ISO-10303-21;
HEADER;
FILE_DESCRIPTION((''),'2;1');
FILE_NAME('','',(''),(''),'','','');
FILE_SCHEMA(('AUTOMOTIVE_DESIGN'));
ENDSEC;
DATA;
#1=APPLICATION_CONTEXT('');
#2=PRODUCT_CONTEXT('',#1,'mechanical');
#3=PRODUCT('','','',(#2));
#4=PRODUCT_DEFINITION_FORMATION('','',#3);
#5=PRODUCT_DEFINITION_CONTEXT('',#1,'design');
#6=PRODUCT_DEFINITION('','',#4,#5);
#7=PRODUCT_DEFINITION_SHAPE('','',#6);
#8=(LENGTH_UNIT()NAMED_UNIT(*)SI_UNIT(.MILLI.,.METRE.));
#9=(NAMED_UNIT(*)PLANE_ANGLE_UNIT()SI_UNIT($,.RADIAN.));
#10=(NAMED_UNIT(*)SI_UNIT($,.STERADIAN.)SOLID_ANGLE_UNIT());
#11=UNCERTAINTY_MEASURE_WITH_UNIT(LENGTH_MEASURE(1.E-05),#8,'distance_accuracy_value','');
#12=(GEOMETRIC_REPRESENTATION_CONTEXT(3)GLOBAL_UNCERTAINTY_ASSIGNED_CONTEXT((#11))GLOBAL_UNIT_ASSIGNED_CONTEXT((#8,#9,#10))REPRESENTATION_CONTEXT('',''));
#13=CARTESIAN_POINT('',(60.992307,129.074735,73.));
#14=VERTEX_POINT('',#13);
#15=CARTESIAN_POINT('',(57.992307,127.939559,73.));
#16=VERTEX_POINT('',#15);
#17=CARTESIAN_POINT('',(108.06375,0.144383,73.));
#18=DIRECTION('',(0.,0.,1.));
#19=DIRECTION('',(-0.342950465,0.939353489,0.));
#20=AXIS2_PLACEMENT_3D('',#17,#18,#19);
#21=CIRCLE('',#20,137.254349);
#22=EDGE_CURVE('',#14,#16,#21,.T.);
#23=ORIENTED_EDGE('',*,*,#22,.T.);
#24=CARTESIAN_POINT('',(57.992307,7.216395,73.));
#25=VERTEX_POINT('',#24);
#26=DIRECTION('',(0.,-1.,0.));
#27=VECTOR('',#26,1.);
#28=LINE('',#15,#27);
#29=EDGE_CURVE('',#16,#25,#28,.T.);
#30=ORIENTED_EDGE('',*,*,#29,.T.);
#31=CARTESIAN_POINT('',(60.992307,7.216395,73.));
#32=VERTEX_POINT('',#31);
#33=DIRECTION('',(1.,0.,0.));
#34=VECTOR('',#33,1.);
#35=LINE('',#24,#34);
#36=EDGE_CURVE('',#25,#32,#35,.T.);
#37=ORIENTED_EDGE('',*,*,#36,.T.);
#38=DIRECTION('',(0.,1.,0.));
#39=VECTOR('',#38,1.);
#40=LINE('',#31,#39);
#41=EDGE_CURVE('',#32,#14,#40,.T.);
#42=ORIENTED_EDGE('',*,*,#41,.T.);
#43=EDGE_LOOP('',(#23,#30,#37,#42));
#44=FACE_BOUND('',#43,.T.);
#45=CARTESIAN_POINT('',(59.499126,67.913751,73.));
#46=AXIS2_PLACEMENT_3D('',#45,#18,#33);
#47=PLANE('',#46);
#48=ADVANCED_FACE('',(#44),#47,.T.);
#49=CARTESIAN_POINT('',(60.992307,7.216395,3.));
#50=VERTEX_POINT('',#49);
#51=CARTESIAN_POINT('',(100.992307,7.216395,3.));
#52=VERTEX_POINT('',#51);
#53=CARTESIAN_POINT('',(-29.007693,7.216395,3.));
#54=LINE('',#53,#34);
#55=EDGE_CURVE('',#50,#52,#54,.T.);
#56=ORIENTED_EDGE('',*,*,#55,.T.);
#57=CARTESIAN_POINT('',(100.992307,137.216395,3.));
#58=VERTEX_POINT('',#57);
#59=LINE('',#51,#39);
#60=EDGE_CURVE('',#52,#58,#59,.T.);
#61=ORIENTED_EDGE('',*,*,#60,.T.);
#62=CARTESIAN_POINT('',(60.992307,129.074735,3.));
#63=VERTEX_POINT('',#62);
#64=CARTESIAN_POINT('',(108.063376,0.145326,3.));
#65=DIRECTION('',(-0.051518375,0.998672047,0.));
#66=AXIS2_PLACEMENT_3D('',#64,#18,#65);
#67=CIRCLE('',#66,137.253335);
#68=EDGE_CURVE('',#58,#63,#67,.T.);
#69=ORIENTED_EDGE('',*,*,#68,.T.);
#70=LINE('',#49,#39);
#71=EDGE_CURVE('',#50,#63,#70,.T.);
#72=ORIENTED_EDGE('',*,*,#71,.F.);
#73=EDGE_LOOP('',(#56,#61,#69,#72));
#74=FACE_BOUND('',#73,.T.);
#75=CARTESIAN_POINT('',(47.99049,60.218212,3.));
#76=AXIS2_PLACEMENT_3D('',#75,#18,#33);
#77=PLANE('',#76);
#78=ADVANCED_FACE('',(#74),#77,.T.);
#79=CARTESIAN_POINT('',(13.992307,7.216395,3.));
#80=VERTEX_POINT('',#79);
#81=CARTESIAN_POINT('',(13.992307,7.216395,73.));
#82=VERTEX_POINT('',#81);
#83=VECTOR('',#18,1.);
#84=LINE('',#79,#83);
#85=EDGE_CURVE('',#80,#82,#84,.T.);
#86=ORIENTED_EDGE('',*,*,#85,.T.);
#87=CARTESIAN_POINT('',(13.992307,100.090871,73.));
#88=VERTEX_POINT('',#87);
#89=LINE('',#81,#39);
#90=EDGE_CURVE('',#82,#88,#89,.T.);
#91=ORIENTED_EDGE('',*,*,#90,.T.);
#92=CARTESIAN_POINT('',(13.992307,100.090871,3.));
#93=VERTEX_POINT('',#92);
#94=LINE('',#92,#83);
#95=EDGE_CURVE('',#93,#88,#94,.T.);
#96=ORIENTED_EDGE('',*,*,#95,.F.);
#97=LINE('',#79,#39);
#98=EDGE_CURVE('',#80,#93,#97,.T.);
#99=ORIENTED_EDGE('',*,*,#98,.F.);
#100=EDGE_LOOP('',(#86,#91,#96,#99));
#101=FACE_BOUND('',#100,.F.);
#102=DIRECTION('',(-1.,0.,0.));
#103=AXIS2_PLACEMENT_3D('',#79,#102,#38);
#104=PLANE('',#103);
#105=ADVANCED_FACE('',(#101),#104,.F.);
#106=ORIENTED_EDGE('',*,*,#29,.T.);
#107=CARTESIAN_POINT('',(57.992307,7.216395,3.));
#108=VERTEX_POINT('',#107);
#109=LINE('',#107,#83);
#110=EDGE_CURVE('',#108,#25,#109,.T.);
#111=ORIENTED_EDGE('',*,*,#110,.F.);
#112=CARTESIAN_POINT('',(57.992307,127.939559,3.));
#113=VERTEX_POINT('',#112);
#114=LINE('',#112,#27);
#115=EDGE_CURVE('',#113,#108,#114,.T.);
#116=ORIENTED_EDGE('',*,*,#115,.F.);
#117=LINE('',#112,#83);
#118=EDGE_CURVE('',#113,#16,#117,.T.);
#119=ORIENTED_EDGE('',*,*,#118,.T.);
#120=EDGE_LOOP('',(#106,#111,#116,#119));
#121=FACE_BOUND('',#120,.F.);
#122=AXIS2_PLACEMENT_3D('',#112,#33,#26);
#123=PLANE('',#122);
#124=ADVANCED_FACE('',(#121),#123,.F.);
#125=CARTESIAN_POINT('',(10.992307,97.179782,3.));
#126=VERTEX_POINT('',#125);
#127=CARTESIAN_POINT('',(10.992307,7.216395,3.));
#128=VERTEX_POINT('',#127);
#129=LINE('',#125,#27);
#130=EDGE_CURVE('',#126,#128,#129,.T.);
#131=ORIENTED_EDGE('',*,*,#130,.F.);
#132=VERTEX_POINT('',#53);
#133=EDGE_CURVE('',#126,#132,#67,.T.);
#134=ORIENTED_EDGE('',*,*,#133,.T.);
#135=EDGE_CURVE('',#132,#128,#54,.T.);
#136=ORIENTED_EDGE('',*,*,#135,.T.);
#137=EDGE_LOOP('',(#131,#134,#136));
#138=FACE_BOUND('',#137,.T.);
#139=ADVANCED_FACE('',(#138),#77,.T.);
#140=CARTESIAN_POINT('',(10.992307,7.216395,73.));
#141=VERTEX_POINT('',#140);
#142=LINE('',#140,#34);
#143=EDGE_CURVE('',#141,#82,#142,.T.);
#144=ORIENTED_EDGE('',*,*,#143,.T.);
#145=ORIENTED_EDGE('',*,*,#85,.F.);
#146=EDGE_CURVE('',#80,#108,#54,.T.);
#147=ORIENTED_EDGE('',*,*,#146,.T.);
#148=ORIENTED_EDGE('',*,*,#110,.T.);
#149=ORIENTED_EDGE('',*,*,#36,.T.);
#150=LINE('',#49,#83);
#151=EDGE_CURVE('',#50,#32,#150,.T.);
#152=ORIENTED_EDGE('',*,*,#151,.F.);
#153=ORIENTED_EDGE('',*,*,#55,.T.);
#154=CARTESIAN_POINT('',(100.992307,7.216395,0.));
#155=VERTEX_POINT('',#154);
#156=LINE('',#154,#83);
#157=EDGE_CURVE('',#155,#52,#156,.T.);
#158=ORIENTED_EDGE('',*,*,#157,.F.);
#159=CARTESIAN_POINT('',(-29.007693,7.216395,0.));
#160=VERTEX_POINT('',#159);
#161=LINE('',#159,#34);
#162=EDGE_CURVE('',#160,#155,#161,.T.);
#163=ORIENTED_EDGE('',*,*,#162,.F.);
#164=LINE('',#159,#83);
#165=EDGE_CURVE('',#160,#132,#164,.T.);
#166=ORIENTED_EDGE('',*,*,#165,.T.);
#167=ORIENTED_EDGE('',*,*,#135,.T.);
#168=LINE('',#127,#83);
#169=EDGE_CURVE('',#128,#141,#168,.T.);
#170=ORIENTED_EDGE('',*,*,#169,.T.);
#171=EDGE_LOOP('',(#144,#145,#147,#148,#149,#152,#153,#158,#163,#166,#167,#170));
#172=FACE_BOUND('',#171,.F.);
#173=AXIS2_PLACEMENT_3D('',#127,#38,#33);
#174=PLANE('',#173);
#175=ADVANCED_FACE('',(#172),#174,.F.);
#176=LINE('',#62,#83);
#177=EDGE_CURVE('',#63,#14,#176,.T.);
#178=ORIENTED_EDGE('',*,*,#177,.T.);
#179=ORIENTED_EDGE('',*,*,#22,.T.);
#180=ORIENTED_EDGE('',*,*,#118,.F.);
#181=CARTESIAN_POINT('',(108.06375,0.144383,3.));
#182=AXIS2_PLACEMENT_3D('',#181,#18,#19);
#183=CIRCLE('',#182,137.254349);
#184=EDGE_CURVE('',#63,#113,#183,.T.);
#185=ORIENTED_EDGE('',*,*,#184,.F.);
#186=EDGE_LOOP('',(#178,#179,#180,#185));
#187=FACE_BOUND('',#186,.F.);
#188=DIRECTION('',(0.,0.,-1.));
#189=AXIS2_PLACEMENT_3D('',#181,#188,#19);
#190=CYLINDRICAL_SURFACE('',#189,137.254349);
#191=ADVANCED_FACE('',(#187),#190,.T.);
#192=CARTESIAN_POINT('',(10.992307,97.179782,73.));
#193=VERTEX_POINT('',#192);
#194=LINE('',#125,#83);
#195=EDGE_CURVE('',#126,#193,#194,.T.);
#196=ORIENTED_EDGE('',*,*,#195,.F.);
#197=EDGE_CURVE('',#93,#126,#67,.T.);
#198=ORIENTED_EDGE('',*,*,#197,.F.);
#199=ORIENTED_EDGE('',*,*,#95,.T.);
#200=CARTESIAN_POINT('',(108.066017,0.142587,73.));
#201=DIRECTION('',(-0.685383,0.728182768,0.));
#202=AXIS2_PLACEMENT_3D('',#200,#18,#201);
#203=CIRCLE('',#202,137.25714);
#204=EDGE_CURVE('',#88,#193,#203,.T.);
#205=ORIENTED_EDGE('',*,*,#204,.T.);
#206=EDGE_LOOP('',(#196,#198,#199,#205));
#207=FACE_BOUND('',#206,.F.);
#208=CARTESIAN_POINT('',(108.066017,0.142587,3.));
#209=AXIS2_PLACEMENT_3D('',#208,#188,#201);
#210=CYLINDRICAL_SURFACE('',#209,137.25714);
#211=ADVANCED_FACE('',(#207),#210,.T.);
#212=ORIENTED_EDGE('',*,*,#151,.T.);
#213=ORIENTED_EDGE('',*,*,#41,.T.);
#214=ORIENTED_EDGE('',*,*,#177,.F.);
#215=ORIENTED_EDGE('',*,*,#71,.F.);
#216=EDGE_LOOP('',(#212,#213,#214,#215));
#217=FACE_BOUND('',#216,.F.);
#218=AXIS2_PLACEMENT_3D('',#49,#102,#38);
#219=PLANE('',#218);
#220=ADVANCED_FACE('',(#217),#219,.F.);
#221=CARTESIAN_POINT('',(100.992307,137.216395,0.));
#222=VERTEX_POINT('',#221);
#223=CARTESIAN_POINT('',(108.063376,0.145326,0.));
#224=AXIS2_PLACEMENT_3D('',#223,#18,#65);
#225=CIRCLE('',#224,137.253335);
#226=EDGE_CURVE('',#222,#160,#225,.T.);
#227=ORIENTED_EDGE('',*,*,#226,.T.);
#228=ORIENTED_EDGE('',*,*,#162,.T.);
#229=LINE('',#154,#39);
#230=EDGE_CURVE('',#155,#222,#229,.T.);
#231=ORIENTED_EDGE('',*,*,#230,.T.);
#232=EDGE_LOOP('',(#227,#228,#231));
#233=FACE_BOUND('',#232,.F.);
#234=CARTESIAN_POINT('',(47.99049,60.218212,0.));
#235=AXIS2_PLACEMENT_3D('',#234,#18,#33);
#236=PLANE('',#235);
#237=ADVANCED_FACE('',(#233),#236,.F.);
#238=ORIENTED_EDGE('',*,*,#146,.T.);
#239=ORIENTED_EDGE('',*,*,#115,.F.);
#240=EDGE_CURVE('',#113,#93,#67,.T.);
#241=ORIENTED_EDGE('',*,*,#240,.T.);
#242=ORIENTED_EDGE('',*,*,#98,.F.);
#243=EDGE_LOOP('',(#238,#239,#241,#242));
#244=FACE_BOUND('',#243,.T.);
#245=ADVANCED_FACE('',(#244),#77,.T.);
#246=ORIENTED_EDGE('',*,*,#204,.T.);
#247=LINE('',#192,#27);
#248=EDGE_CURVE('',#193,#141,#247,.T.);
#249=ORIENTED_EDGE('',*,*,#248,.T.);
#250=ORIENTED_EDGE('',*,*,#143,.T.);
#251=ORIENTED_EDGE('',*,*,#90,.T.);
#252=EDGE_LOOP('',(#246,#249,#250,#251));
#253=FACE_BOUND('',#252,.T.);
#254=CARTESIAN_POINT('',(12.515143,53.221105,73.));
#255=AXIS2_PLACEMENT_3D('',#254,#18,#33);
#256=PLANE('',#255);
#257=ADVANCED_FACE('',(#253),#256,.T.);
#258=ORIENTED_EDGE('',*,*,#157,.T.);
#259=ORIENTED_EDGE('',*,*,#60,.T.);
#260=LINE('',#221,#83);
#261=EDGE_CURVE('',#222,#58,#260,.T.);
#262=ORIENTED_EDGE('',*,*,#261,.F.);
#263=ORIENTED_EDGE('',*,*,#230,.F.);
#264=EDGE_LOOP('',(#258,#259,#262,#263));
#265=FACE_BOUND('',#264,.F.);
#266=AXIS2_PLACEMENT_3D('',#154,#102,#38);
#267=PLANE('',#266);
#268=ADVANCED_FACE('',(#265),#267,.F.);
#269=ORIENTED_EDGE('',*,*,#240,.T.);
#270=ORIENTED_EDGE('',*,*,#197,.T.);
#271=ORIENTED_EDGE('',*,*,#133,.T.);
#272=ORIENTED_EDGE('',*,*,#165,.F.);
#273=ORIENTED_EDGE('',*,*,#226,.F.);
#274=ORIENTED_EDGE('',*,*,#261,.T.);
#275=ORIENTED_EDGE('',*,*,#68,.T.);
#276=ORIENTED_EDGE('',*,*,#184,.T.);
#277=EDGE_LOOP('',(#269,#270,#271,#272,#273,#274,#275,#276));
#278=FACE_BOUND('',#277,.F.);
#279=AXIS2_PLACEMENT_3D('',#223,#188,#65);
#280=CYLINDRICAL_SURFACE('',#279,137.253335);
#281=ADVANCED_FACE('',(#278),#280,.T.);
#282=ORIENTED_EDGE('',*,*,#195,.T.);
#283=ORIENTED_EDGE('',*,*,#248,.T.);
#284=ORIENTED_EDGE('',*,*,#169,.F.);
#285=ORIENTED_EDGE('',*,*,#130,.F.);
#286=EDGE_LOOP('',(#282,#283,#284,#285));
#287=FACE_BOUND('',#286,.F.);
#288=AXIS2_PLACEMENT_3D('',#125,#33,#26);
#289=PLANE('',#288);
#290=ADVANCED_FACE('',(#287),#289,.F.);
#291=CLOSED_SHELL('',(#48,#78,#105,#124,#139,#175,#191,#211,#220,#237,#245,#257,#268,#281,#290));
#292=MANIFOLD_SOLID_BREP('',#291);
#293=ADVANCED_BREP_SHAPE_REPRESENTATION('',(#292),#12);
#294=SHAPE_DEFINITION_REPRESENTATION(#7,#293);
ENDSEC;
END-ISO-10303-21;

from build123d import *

# Parameters (mm, degrees)
F1_DEPTH = 3
F3_DEPTH = 70


with BuildPart() as f1:
    # F0 (on Top) → F1 (new body)
    with BuildSketch(Plane.XY):
        with BuildLine():
            Line((100.992307, 7.216395), (100.992307, 137.216395))
            ThreePointArc((100.992307, 137.216395), (11.010612, 97.19809), (-29.007693, 7.216395))
            Line((-29.007693, 7.216395), (100.992307, 7.216395))
        make_face()
    extrude(amount=F1_DEPTH)

    # F2 (on face) → F3 (join)
    with BuildSketch(Plane.XY.offset(3)):
        with BuildLine():
            ThreePointArc((13.992307, 100.090871), (12.481224, 98.646748), (10.992307, 97.179782))
            Line((10.992307, 97.179782), (10.992307, 7.216395))
            Line((10.992307, 7.216395), (13.992307, 7.216395))
            Line((13.992307, 7.216395), (13.992307, 100.090871))
        make_face()
        with BuildLine():
            ThreePointArc((60.992307, 129.074735), (59.488991, 128.515911), (57.992307, 127.939559))
            Line((57.992307, 127.939559), (57.992307, 7.216395))
            Line((57.992307, 7.216395), (60.992307, 7.216395))
            Line((60.992307, 7.216395), (60.992307, 129.074735))
        make_face()
    extrude(amount=F3_DEPTH)


solid = f1.part
